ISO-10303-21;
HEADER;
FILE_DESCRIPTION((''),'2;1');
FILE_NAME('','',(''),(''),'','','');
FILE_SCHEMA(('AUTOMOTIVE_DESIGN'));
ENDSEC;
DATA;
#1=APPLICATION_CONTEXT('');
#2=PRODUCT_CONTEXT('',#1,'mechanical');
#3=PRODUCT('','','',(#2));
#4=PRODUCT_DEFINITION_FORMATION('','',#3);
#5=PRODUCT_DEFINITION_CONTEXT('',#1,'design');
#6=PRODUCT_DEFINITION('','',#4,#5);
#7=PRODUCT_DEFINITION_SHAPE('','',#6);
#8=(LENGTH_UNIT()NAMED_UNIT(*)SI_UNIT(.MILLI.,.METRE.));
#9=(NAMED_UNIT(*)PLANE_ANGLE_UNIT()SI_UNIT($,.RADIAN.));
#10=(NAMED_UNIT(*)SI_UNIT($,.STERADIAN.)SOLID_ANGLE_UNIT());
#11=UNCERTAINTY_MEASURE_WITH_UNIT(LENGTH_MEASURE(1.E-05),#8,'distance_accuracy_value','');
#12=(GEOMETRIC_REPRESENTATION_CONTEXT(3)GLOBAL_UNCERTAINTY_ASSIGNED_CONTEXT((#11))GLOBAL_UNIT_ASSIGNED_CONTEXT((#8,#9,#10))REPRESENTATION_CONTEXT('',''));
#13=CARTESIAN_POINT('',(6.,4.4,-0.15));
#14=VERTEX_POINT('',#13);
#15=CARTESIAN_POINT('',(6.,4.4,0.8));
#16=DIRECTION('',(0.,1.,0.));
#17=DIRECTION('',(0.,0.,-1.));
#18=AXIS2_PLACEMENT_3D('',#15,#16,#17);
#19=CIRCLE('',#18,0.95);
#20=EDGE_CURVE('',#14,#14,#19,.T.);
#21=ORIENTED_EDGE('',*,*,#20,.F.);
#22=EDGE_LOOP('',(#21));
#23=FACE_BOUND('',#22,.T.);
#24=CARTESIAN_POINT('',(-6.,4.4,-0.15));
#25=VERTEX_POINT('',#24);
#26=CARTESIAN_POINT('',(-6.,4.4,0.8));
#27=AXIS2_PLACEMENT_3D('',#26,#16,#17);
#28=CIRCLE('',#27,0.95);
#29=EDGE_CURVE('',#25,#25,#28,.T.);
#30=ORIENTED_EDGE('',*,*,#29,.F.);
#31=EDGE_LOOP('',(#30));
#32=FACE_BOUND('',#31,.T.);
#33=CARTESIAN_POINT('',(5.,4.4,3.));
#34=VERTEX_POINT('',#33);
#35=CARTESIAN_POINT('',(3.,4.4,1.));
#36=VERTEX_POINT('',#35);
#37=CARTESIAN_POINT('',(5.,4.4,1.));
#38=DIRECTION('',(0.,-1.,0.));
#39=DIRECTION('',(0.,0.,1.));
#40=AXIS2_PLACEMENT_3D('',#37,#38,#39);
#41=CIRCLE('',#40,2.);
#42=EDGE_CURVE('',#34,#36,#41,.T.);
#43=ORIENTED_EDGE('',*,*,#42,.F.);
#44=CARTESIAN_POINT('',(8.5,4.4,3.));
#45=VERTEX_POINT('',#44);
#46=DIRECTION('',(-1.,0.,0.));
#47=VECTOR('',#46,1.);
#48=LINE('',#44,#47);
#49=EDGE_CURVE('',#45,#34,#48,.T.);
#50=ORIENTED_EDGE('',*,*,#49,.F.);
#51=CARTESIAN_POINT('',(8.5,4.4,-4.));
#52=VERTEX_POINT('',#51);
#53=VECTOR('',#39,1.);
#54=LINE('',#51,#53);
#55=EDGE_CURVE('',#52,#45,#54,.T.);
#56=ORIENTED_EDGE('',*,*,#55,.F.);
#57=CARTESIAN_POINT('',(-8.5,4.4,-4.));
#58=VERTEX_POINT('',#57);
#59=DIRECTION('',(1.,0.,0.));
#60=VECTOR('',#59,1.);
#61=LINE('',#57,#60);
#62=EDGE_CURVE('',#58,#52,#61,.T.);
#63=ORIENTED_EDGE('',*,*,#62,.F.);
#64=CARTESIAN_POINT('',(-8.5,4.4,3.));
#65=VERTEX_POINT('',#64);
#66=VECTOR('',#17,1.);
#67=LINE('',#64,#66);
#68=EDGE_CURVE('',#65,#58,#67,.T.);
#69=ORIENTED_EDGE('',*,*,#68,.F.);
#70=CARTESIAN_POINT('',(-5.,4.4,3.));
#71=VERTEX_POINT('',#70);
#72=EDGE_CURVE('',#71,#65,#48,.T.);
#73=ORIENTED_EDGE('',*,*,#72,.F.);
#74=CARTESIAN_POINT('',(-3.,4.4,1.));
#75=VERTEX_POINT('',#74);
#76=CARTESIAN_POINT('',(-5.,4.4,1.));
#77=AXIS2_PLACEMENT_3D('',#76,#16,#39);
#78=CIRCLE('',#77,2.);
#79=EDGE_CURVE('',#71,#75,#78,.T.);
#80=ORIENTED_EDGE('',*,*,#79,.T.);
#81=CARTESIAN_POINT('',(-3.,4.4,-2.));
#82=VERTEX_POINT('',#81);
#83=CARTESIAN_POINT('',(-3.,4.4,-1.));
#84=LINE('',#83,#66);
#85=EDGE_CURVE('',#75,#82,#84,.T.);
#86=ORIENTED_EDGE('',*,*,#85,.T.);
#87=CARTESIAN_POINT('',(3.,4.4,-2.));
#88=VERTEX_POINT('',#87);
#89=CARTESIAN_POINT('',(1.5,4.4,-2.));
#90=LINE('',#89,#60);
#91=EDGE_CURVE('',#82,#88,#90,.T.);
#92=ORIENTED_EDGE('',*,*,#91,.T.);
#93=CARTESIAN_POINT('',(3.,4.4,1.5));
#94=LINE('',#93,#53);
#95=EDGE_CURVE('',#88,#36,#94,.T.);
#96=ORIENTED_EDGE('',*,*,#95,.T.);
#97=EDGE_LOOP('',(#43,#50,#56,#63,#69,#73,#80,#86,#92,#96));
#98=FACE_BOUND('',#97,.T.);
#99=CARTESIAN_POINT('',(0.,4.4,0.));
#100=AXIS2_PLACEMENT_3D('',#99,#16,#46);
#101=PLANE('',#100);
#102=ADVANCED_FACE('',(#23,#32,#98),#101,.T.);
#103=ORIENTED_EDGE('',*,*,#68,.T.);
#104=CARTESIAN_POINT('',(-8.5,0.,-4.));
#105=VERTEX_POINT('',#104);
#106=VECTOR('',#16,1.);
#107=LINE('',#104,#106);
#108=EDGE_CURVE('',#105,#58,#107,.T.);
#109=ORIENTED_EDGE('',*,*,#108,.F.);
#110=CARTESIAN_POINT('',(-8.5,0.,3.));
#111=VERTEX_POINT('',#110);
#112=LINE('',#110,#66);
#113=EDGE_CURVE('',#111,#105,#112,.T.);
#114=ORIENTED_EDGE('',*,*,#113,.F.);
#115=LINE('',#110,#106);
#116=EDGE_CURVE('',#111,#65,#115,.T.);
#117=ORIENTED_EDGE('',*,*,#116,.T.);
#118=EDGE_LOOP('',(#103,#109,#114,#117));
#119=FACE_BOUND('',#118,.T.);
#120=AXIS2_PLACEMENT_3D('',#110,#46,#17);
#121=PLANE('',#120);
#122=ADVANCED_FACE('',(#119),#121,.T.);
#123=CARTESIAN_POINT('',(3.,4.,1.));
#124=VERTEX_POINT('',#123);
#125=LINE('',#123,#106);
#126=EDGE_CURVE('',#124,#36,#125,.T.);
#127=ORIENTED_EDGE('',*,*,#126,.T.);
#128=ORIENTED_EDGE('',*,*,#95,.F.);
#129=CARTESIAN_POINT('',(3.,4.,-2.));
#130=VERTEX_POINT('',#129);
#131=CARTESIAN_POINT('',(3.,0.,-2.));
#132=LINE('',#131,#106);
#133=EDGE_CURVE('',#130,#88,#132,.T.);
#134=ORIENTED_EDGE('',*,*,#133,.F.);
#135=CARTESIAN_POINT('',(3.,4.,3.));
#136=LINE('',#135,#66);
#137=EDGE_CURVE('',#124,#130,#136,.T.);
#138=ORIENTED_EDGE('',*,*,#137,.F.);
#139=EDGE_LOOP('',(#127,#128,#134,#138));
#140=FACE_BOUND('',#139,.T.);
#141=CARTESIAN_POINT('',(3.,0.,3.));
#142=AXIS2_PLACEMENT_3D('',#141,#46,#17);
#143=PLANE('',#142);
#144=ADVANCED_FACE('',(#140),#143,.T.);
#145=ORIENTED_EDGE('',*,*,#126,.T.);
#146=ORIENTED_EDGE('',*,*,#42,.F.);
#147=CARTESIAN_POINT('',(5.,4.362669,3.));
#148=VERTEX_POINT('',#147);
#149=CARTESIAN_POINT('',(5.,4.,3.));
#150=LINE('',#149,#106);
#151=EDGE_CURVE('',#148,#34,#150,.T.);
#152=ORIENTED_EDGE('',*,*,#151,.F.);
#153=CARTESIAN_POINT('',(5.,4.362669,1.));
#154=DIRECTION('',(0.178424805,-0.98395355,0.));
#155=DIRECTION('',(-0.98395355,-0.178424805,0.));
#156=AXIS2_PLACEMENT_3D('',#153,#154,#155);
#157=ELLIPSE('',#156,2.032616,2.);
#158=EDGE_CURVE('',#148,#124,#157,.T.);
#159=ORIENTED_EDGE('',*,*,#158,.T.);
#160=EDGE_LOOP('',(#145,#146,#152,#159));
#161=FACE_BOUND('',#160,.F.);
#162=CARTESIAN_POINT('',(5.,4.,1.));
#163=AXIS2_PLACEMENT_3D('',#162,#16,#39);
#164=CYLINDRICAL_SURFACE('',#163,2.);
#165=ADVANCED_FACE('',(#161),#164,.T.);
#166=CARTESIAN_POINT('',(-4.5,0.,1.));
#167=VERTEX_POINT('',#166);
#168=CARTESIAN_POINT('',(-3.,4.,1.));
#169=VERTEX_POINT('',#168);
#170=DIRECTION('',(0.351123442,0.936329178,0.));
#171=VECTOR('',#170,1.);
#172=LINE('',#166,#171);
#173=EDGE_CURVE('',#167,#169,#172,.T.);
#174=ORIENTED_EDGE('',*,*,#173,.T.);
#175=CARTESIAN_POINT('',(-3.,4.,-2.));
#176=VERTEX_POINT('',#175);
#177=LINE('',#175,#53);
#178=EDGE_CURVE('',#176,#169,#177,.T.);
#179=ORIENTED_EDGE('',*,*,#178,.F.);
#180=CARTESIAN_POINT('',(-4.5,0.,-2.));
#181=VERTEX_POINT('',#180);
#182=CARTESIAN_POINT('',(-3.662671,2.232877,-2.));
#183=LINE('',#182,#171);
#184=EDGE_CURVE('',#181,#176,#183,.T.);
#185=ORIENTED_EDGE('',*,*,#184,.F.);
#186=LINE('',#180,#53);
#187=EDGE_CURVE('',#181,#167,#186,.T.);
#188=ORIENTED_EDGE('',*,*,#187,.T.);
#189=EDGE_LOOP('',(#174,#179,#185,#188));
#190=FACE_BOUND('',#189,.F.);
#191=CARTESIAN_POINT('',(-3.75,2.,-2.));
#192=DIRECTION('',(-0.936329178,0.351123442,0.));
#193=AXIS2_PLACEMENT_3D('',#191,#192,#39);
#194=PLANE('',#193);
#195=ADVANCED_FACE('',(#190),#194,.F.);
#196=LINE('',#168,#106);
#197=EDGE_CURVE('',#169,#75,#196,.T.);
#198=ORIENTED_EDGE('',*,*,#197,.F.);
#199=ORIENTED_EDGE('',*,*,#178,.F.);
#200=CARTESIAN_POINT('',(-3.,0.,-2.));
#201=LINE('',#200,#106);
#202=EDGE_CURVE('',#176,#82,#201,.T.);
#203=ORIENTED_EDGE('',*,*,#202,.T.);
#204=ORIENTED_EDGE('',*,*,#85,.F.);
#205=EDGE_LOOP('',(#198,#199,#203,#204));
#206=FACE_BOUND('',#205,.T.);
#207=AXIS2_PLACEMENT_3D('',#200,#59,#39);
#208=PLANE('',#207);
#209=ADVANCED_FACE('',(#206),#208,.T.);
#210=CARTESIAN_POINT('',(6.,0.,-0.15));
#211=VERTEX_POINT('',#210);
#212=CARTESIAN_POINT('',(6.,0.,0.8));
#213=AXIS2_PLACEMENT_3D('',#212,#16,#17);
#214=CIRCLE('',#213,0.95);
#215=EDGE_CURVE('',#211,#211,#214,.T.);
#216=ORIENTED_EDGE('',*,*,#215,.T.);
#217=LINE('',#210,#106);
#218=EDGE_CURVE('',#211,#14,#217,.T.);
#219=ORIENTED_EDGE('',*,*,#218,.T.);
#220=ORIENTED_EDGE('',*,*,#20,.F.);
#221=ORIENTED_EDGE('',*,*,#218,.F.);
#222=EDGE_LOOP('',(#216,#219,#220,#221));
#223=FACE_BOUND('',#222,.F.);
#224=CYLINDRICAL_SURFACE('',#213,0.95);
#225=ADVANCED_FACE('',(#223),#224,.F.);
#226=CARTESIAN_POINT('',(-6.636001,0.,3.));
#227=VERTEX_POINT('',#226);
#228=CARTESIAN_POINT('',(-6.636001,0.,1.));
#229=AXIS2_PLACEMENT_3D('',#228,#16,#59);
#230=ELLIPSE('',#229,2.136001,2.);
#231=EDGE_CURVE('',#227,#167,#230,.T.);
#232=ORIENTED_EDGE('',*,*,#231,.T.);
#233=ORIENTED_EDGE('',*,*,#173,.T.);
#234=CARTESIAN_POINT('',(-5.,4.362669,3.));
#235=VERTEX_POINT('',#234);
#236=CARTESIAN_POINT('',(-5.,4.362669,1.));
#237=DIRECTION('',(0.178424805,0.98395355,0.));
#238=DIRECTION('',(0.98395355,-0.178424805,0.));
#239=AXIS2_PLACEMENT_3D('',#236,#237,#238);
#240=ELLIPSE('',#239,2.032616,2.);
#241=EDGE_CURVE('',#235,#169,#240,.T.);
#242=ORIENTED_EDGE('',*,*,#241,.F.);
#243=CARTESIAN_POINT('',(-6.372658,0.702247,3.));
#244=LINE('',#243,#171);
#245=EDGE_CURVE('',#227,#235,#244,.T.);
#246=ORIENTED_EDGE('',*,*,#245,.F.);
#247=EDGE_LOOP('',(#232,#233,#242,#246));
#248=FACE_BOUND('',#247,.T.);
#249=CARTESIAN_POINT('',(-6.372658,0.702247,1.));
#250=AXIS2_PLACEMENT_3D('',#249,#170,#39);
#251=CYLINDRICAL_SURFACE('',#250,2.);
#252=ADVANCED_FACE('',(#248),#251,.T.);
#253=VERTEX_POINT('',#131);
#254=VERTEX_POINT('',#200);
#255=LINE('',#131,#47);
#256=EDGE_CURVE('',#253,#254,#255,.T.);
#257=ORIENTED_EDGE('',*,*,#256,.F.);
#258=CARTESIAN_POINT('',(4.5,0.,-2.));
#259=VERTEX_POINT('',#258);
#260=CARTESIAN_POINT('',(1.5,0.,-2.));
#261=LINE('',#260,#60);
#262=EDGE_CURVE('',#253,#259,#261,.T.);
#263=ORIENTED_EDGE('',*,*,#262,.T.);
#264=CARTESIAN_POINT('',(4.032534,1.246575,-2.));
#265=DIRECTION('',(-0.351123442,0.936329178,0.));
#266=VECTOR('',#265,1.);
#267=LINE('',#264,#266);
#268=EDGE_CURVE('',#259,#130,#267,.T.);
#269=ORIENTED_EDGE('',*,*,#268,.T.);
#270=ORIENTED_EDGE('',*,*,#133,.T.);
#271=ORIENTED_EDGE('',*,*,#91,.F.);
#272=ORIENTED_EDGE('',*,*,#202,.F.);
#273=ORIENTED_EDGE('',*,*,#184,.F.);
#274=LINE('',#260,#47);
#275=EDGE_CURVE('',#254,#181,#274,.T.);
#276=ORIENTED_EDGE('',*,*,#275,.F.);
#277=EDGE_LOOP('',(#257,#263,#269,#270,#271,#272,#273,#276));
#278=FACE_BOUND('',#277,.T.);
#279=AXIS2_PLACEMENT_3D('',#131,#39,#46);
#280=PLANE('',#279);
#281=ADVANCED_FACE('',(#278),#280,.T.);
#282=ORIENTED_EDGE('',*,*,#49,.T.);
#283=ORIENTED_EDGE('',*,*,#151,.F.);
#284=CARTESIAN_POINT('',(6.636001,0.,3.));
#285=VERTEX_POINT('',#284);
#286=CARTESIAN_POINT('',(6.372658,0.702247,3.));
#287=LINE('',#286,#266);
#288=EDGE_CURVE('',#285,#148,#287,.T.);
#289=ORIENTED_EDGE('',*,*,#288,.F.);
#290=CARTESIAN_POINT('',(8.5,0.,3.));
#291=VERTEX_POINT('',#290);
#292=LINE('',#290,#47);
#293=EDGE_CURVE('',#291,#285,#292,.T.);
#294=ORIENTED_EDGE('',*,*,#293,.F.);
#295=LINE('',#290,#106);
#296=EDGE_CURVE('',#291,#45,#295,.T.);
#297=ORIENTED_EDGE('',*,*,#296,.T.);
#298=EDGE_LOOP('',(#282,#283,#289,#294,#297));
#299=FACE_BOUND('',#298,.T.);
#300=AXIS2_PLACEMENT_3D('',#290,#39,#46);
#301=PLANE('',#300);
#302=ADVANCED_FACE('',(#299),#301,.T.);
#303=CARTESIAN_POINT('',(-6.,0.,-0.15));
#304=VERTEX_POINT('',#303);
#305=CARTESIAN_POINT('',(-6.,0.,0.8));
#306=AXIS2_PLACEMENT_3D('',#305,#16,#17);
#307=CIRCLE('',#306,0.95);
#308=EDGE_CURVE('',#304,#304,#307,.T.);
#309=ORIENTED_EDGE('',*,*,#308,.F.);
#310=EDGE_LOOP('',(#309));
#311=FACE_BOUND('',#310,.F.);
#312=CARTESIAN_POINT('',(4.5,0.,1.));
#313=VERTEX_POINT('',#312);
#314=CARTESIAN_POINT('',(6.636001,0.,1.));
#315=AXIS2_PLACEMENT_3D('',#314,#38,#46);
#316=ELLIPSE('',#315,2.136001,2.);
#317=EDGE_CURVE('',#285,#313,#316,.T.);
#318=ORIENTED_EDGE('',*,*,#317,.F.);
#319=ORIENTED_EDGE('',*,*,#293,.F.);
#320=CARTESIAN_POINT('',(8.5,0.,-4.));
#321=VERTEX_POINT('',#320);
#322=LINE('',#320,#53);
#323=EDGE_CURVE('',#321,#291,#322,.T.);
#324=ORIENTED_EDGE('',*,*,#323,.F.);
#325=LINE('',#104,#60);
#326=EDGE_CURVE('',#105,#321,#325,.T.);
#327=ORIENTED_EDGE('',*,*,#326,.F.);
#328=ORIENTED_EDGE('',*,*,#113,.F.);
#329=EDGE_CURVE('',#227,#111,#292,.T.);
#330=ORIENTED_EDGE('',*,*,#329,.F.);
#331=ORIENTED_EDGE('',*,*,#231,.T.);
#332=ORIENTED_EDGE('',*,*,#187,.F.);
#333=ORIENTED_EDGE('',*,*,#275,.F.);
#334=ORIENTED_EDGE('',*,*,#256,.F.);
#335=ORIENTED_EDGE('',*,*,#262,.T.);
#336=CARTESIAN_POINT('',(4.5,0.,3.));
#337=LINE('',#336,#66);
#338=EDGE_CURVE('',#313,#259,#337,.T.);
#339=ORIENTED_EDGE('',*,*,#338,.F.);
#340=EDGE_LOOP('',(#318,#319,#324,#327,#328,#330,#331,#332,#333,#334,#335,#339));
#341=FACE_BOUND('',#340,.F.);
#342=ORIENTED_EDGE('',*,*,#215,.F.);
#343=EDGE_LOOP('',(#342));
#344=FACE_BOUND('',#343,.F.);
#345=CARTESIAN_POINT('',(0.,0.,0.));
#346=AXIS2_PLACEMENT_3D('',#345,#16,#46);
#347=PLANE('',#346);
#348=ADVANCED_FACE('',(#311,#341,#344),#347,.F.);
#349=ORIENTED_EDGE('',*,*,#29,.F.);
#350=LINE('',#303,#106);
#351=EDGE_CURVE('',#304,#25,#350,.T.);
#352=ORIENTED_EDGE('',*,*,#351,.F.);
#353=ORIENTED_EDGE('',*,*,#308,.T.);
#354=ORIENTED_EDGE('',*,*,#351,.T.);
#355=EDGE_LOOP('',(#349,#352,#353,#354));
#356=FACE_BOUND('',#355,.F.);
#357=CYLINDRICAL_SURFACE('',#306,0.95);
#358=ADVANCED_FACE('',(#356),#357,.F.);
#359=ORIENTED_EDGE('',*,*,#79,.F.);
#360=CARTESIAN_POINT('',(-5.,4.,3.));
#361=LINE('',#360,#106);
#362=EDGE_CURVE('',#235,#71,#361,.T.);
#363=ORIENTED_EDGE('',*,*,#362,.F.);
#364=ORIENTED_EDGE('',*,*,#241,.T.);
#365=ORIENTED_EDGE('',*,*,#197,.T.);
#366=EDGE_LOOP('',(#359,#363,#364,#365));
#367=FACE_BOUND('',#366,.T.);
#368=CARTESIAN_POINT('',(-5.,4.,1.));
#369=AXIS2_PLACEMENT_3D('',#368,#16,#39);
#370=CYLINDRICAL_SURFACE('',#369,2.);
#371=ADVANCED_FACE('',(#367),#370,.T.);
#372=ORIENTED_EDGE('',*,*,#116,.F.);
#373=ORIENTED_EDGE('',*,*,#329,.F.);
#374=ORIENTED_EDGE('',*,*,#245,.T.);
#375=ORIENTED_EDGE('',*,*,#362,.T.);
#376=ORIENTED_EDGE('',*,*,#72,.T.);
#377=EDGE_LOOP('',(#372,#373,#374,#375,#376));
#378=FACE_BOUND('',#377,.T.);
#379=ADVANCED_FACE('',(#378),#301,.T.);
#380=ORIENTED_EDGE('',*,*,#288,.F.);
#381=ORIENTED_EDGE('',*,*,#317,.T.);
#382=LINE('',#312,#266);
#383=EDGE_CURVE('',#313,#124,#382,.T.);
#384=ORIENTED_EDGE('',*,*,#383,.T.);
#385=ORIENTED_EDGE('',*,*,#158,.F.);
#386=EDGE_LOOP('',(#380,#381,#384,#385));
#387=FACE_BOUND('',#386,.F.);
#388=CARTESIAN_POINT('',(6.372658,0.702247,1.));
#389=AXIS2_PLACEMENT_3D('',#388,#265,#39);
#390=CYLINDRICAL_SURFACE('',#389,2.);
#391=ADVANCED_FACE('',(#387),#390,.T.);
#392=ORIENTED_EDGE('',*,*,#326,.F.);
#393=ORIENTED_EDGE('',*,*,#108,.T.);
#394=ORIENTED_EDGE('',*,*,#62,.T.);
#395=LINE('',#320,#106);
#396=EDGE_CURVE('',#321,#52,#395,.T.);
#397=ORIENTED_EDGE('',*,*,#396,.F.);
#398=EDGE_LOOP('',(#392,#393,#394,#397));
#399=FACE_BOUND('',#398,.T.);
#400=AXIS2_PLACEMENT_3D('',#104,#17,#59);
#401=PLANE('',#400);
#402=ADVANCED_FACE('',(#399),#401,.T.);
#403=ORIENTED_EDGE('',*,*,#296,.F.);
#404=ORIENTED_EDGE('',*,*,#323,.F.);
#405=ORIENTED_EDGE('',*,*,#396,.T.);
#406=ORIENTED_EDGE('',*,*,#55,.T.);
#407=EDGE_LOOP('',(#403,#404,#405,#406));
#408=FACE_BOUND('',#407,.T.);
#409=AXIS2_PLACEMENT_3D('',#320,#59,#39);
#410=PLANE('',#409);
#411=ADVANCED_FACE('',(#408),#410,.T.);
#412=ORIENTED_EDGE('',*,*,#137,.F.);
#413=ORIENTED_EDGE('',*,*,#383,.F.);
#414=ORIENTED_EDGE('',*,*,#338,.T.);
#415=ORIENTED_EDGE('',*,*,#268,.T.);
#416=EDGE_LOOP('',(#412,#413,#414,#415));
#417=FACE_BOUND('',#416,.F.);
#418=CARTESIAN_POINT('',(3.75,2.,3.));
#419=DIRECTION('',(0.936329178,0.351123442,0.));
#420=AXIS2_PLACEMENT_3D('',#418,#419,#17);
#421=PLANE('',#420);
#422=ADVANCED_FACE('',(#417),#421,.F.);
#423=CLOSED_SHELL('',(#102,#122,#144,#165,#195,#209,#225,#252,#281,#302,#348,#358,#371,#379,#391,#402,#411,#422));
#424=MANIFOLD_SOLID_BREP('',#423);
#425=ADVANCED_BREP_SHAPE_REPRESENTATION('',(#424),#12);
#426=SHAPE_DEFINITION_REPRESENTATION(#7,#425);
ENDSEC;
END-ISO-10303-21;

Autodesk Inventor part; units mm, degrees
ref_plane "YZ Plane" through (0, 0, 0) normal (1, 0, 0) x (0, 1, 0)
ref_plane "XZ Plane" through (0, 0, 0) normal (0, 1, 0) x (-1, 0, 0)
ref_plane "XY Plane" through (0, 0, 0) normal (0, 0, 1) x (1, 0, 0)
sketch "Skizze1" plane through (0, 0, 0) normal (0, 1, 0) x (-1, 0, 0)
  line L0 (8.5, -4) -> (-8.5, -4)
  line L1 (-8.5, -4) -> (-8.5, 3)
  line L2 (-8.5, 3) -> (8.5, 3)
  line L3 (8.5, 3) -> (8.5, -4)
  line L4 (-11.9, 0) -> (11.9, 0) construction
  line L5 (0, -5.4) -> (0, 4.4) construction
  point P0 (0, 0)
  dimension "d0" = 17
  dimension "d1" = 7
  dimension "d60" = 3
extrude "Extrusion1" add sketch "Skizze1" along normal blind 4.4
sketch "Skizze2" plane through (0, 0, 0) normal (0, -1, 0) x (1, 0, 0)
  line L0 (-11.9, 0) -> (11.9, 0) projected
  line L1 (0, 4.4) -> (0, -5.4) projected
  point P0 (0, 0)
  point P1 (-6, 0.8)
  point P2 (6, 0.8)
  dimension "d5" = 0.8
  dimension "d6" = 6
hole "Bohrung1" at (-6, 0, 0.8) at (6, 0, 0.8) direction (0, 1, 0) diameter 1.9 end through all
sketch "Skizze5" plane through (0, 0, 0) normal (0, -1, 0) x (1, 0, 0)
  line L0 (8.5, -4) -> (-8.5, -4) projected
  line L1 (8.5, 3) -> (8.5, -4) projected
  line L2 (-8.5, -4) -> (8.5, -4)
  line L3 (8.5, -4) -> (8.5, -3)
  line L4 (8.5, -3) -> (-8.5, -3)
  line L5 (-8.5, -3) -> (-8.5, -4)
  point P0 (0, 0)
  dimension "d29" = 1
extrude "Extrusion4" [suppressed]
sketch "Skizze6" plane through (0, 0, 0) normal (0, -1, 0) x (1, 0, 0)
  line L0 (8.5, -4) -> (8.5, 3) projected
  line L1 (8.5, 3) -> (-8.5, 3) projected
  line L2 (-8.5, 3) -> (-8.5, -4) projected
  circle A0 centre (-6, 0.8) radius 0.95 projected
  circle A1 centre (6, 0.8) radius 0.95 projected
  line L3 (8.5, 3) -> (-8.5, 3) projected
  line L4 (-3, 3) -> (3, 3)
  line L5 (3, 3) -> (3, -2)
  line L6 (3, -2) -> (-3, -2)
  line L7 (-3, -2) -> (-3, 3)
  line L8 (0, 4.4) -> (0, -5.4) projected
  line L9 (-8.5, -4) -> (8.5, -4) projected
  point P0 (0, 0)
  point P1 (0, 3)
  dimension "d32" = 6
  dimension "d58" = 2
  dimension "d59" = 2
extrude "Extrusion5" cut sketch "Skizze6" against normal through all contours L5 L6 L8 L1 | L6 L7 L1 L8
sketch "Skizze7" plane through (-8.5, -0.4, -2) normal (0, 0, 1) x (1, 0, 0)
  line L0 (0, 0) -> (1, 0)
  line L1 (1, 0) -> (1, 0.4)
  line L2 (1, 0.4) -> (0, 0.4)
  line L3 (0, 0.4) -> (0, 0)
  line L4 (17, 0) -> (0, 0) projected
  line L5 (11.5, 0.4) -> (17, 0.4) projected
  line L6 (17, 0) -> (16, 0)
  line L7 (16, 0) -> (16, 0.4)
  line L8 (16, 0.4) -> (17, 0.4)
  line L9 (17, 0.4) -> (17, 0)
  point P0 (8.5, 0.4)
  dimension "d35" = 1
  dimension "d36" = 1
extrude "Extrusion6" [suppressed]
chamfer "Fase4" [suppressed]
chamfer "Fase6" distance 1.5 distance2 4 1 edges at (-3, 0, 0.5) measured on face at (1, 0, -3.3333)
chamfer "Fase7" distance 1.5 distance2 4 1 edges at (3, 0, 0.5) measured on face at (1, 0, -3.3333)
fillet "Rundung3" radius 2 4 edges at (-3.75, 2, 3) (-3, 4.2, 3) (3.75, 2, 3) (3, 4.2, 3)
sketch "Skizze8" plane through (0, 0, 0) normal (0, -1, 0) x (1, 0, 0)
  line L0 (-3, 3) -> (-7.5, 3) projected
  line L1 (-7.5, 3) -> (-7.5, -2) projected
  line L2 (-7.5, -2) -> (-3, -2) projected
  line L3 (-3, -2) -> (-3, 3) projected
  circle A0 centre (-6, 1) radius 0.95 projected
  line L4 (3, 3) -> (3, -2) projected
  line L5 (3, -2) -> (7.5, -2) projected
  line L6 (7.5, -2) -> (7.5, 3) projected
  line L7 (7.5, 3) -> (3, 3) projected
  circle A1 centre (6, 1) radius 0.95 projected
  line L8 (-7.5, 3) -> (-7.5, -2) projected
  line L9 (-7.5, -2) -> (-3, -2) projected
  line L10 (-3, -2) -> (-3, 3) projected
  line L11 (-3, 3) -> (-7.5, 3) projected
  line L12 (7.5, -2) -> (7.5, 3) projected
  line L13 (3, 3) -> (3, -2) projected
  line L14 (3, -2) -> (7.5, -2) projected
  line L15 (7.5, 3) -> (3, 3) projected
equation "\"d5\" = d4"
equation "\"d4\" = 0.8"
properties part number "LED Schirm"
